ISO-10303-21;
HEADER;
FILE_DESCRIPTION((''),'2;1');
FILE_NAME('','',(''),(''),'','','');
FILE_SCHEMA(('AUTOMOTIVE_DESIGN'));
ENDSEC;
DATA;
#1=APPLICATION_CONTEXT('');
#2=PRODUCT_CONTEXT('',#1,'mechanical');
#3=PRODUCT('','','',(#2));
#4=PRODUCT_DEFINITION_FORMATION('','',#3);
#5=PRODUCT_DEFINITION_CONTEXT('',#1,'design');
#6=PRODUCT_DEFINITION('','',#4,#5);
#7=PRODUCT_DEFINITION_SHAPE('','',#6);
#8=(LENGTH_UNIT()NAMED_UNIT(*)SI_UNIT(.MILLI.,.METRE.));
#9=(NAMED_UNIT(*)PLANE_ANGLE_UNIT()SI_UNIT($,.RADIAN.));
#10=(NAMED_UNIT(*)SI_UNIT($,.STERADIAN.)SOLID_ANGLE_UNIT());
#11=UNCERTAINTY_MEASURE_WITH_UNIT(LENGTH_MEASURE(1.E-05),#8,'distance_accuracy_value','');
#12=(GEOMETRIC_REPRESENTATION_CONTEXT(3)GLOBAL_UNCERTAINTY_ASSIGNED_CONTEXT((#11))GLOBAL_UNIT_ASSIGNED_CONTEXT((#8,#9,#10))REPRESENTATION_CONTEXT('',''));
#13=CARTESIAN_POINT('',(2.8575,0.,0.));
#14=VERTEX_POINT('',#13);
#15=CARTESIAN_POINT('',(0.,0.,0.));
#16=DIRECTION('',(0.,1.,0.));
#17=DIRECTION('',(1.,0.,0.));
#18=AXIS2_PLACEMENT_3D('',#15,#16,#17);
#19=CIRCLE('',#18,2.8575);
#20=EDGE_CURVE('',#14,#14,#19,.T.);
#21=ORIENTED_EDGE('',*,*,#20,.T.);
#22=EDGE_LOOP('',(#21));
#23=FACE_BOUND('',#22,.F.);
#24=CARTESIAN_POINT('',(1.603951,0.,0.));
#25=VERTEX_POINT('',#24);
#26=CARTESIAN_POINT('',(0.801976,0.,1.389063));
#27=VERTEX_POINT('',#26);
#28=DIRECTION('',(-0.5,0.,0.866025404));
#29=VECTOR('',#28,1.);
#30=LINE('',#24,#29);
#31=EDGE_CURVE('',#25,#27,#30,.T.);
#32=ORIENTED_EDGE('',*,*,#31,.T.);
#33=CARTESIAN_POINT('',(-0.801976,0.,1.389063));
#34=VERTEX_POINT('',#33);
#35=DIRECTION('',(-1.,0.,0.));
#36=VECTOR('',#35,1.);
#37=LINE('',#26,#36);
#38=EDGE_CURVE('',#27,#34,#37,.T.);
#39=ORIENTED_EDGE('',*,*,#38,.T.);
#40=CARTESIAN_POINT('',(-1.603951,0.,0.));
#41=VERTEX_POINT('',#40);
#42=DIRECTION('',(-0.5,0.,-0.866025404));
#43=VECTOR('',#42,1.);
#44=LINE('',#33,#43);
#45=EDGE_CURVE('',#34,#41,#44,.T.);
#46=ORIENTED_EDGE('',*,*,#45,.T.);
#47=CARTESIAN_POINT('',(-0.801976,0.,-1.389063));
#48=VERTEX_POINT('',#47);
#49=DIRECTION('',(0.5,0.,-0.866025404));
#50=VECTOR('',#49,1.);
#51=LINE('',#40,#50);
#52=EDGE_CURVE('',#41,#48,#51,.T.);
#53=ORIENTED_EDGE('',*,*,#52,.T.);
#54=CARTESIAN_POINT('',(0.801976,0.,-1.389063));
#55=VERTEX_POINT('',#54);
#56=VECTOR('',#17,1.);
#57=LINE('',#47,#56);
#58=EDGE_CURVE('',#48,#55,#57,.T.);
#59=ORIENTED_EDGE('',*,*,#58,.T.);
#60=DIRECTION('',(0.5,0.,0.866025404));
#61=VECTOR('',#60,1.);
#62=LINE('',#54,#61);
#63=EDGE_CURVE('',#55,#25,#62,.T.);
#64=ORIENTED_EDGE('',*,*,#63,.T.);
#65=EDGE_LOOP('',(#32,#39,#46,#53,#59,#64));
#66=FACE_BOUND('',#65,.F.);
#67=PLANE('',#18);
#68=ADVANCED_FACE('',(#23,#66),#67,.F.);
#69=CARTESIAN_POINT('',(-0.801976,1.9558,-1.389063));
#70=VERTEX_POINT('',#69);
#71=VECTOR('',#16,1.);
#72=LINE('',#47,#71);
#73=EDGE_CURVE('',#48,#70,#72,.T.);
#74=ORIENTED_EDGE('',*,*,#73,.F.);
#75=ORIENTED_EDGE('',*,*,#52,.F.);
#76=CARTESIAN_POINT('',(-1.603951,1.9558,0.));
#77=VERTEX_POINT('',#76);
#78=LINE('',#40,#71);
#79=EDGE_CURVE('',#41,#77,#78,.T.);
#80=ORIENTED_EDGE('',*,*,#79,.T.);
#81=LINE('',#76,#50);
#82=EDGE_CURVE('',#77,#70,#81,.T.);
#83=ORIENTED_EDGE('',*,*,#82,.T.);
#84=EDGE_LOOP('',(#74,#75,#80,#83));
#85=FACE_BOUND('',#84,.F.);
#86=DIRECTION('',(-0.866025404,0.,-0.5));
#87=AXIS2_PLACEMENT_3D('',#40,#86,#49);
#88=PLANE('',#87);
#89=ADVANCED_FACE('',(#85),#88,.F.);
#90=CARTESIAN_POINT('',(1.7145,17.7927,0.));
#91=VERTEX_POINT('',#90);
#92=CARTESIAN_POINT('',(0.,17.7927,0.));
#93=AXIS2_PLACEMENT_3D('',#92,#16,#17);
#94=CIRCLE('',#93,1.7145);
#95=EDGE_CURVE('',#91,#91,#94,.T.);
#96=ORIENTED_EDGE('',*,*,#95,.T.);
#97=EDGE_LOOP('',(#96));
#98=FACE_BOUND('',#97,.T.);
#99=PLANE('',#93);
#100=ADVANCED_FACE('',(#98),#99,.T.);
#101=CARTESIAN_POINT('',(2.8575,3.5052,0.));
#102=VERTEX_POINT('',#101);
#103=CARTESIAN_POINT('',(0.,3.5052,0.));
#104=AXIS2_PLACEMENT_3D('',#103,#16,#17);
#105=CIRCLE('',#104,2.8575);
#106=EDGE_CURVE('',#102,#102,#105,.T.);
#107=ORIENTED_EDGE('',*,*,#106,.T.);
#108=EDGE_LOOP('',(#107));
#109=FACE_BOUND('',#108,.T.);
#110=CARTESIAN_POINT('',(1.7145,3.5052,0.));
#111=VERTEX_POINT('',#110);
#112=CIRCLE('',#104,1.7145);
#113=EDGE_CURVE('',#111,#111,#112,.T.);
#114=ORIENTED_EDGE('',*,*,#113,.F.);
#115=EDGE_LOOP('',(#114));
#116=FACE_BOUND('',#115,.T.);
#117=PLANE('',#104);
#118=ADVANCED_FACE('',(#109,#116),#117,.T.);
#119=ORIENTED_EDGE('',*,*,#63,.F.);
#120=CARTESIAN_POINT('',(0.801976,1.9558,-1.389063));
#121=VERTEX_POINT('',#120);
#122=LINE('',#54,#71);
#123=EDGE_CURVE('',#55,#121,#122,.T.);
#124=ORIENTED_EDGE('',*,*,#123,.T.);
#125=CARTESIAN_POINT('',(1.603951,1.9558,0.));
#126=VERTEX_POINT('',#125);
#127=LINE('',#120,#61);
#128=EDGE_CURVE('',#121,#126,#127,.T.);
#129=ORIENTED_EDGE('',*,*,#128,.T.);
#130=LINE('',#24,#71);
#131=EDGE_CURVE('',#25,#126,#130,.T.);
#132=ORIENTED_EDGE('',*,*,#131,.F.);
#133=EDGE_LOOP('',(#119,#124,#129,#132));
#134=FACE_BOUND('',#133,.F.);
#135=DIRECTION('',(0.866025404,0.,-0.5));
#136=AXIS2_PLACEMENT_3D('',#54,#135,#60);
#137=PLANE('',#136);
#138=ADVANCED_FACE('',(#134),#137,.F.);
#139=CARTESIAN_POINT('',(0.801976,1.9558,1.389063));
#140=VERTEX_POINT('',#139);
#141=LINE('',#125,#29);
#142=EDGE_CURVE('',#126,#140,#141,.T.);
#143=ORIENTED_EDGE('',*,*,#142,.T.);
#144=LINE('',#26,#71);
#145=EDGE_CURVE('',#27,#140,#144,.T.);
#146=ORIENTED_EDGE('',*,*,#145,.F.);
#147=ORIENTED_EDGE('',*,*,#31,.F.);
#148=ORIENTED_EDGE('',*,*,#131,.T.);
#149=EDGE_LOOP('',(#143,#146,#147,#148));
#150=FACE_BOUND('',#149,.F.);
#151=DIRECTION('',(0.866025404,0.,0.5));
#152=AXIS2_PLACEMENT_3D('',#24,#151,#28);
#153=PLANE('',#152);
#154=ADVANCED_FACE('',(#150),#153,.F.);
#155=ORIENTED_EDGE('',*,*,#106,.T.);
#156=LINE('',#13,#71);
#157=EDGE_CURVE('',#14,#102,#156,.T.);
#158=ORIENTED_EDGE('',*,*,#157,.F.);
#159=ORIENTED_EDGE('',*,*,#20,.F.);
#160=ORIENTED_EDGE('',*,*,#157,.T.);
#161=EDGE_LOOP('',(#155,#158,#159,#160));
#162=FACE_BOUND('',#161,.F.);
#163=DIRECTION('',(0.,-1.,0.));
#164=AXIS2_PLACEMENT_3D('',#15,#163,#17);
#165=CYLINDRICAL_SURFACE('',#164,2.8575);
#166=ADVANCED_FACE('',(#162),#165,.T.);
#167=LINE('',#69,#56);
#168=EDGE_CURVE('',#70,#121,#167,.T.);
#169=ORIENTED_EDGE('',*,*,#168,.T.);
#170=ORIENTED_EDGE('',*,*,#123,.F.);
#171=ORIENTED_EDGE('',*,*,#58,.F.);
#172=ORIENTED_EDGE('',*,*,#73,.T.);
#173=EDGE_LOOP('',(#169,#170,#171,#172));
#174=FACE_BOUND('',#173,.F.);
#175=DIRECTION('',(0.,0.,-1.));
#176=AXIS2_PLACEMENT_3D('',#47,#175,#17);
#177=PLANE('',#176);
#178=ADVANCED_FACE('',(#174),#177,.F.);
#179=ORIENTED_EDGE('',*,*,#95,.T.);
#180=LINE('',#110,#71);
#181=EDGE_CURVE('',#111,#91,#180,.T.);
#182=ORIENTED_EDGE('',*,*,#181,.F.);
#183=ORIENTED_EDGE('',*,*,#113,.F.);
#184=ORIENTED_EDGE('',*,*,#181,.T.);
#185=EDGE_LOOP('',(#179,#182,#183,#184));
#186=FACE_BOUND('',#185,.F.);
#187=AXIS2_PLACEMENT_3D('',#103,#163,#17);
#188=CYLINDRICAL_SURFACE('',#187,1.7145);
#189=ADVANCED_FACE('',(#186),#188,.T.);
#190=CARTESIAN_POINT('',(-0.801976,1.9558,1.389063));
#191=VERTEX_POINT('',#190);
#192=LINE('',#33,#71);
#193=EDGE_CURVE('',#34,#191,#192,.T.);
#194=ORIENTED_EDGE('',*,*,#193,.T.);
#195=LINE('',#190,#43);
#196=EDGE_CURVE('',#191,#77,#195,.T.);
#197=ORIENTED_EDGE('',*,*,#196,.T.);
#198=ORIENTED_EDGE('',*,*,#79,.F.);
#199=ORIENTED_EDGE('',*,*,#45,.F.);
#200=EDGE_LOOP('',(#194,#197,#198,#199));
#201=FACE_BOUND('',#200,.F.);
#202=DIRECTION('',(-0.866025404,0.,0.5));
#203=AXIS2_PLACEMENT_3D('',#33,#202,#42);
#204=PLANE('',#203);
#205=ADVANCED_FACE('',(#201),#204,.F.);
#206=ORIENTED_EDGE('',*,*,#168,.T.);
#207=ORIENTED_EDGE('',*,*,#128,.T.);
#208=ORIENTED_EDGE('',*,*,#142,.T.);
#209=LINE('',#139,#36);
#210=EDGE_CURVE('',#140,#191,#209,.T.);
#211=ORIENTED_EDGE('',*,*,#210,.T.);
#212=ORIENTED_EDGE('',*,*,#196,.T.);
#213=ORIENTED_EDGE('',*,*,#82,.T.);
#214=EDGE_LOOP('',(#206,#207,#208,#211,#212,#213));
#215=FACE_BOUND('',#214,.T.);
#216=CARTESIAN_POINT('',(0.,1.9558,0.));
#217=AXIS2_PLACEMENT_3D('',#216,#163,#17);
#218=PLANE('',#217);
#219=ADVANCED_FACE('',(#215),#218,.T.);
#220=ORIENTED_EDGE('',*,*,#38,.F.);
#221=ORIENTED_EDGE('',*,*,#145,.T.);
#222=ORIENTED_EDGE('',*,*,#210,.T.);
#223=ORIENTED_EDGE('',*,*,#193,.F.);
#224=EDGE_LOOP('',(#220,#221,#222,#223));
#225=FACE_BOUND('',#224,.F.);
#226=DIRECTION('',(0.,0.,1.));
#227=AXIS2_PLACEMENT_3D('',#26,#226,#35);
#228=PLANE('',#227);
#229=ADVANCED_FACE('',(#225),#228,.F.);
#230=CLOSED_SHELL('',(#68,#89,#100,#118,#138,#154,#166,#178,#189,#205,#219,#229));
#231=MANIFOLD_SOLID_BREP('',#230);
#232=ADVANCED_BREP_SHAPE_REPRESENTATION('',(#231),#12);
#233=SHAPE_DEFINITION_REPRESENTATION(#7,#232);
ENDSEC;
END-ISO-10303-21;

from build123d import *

# Parameters (mm, degrees)
SKETCH1_R           = 2.8575
BOSS_EXTRUDE1_DEPTH = 3.5052
CUT_EXTRUDE1_DEPTH  = 1.9558
SKETCH3_R           = 1.7145
BOSS_EXTRUDE2_DEPTH = 14.2875


with BuildPart() as part:
    # Sketch1 → Boss-Extrude1 (new body)
    with BuildSketch(Plane(origin=(0, 0, 0), x_dir=(1, 0, 0), z_dir=(0, 1, 0))):
        Circle(SKETCH1_R)
    extrude(amount=BOSS_EXTRUDE1_DEPTH)

    # Sketch2 → Cut-Extrude1 (cut)
    with BuildSketch(Plane.XZ):
        Polygon((1.603951217, 0), (0.801975608, 1.3890625), (-0.801975608, 1.3890625), (-1.603951217, 0), (-0.801975608, -1.3890625), (0.801975608, -1.3890625), align=None)
    extrude(amount=-CUT_EXTRUDE1_DEPTH, mode=Mode.SUBTRACT)

    # Sketch3 → Boss-Extrude2 (add)
    with BuildSketch(Plane(origin=(0, 3.5052, 0), x_dir=(1, 0, 0), z_dir=(0, 1, 0))):
        Circle(SKETCH3_R)
    extrude(amount=BOSS_EXTRUDE2_DEPTH)


solid = part.part
